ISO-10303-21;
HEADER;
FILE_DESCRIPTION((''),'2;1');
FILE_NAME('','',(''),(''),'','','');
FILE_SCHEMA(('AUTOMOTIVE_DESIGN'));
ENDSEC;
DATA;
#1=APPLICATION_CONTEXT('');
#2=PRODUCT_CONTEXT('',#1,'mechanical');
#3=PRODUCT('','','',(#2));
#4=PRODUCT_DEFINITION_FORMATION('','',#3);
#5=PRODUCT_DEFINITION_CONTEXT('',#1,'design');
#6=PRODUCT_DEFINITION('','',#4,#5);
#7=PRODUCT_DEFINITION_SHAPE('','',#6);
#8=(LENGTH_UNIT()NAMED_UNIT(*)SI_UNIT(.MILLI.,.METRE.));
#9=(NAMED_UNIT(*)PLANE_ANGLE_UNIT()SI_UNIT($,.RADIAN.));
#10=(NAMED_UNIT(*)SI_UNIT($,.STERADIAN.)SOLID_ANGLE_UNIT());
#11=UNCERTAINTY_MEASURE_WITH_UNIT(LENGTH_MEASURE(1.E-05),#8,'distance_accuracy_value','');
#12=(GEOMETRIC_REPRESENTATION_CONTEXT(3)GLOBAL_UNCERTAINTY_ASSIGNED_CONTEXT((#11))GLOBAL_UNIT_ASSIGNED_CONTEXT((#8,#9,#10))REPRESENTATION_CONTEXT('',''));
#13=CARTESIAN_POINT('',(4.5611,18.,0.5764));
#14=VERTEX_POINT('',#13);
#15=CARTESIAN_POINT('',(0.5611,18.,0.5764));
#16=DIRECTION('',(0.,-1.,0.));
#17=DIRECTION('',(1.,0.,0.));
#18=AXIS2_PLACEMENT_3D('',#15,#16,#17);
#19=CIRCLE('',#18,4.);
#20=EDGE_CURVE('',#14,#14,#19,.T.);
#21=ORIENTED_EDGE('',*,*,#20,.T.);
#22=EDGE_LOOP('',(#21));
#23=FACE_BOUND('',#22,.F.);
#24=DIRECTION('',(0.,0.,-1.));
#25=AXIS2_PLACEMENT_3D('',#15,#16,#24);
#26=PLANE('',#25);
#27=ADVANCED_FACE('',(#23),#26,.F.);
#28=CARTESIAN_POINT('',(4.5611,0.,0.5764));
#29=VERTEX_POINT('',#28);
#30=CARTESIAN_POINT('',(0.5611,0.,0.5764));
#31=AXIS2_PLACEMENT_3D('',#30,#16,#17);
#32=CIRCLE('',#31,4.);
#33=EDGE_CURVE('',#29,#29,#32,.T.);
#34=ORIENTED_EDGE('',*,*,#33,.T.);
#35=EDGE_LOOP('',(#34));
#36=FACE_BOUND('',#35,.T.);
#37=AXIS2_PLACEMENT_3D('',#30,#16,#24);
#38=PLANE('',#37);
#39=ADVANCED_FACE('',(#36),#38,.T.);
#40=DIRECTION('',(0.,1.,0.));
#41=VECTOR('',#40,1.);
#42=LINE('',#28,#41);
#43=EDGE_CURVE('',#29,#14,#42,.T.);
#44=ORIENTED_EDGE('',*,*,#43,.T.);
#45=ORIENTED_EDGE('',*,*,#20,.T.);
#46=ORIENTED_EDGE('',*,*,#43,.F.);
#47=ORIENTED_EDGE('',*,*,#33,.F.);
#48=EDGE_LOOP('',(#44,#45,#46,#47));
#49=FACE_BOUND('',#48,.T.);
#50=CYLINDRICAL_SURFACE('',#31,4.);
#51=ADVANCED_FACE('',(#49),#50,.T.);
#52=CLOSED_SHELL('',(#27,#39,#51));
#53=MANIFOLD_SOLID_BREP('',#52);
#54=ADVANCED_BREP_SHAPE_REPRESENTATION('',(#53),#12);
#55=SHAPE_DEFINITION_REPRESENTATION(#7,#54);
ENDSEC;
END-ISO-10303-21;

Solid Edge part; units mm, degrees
sketch "Sketch1" plane through (0, 0, 0) normal (0, -1, 0) x (1, 0, 0)
  circle A0 centre (0.5611, 0.5764) radius 4
extrude "Protrusion1" add sketch "Sketch1" against normal blind 18
